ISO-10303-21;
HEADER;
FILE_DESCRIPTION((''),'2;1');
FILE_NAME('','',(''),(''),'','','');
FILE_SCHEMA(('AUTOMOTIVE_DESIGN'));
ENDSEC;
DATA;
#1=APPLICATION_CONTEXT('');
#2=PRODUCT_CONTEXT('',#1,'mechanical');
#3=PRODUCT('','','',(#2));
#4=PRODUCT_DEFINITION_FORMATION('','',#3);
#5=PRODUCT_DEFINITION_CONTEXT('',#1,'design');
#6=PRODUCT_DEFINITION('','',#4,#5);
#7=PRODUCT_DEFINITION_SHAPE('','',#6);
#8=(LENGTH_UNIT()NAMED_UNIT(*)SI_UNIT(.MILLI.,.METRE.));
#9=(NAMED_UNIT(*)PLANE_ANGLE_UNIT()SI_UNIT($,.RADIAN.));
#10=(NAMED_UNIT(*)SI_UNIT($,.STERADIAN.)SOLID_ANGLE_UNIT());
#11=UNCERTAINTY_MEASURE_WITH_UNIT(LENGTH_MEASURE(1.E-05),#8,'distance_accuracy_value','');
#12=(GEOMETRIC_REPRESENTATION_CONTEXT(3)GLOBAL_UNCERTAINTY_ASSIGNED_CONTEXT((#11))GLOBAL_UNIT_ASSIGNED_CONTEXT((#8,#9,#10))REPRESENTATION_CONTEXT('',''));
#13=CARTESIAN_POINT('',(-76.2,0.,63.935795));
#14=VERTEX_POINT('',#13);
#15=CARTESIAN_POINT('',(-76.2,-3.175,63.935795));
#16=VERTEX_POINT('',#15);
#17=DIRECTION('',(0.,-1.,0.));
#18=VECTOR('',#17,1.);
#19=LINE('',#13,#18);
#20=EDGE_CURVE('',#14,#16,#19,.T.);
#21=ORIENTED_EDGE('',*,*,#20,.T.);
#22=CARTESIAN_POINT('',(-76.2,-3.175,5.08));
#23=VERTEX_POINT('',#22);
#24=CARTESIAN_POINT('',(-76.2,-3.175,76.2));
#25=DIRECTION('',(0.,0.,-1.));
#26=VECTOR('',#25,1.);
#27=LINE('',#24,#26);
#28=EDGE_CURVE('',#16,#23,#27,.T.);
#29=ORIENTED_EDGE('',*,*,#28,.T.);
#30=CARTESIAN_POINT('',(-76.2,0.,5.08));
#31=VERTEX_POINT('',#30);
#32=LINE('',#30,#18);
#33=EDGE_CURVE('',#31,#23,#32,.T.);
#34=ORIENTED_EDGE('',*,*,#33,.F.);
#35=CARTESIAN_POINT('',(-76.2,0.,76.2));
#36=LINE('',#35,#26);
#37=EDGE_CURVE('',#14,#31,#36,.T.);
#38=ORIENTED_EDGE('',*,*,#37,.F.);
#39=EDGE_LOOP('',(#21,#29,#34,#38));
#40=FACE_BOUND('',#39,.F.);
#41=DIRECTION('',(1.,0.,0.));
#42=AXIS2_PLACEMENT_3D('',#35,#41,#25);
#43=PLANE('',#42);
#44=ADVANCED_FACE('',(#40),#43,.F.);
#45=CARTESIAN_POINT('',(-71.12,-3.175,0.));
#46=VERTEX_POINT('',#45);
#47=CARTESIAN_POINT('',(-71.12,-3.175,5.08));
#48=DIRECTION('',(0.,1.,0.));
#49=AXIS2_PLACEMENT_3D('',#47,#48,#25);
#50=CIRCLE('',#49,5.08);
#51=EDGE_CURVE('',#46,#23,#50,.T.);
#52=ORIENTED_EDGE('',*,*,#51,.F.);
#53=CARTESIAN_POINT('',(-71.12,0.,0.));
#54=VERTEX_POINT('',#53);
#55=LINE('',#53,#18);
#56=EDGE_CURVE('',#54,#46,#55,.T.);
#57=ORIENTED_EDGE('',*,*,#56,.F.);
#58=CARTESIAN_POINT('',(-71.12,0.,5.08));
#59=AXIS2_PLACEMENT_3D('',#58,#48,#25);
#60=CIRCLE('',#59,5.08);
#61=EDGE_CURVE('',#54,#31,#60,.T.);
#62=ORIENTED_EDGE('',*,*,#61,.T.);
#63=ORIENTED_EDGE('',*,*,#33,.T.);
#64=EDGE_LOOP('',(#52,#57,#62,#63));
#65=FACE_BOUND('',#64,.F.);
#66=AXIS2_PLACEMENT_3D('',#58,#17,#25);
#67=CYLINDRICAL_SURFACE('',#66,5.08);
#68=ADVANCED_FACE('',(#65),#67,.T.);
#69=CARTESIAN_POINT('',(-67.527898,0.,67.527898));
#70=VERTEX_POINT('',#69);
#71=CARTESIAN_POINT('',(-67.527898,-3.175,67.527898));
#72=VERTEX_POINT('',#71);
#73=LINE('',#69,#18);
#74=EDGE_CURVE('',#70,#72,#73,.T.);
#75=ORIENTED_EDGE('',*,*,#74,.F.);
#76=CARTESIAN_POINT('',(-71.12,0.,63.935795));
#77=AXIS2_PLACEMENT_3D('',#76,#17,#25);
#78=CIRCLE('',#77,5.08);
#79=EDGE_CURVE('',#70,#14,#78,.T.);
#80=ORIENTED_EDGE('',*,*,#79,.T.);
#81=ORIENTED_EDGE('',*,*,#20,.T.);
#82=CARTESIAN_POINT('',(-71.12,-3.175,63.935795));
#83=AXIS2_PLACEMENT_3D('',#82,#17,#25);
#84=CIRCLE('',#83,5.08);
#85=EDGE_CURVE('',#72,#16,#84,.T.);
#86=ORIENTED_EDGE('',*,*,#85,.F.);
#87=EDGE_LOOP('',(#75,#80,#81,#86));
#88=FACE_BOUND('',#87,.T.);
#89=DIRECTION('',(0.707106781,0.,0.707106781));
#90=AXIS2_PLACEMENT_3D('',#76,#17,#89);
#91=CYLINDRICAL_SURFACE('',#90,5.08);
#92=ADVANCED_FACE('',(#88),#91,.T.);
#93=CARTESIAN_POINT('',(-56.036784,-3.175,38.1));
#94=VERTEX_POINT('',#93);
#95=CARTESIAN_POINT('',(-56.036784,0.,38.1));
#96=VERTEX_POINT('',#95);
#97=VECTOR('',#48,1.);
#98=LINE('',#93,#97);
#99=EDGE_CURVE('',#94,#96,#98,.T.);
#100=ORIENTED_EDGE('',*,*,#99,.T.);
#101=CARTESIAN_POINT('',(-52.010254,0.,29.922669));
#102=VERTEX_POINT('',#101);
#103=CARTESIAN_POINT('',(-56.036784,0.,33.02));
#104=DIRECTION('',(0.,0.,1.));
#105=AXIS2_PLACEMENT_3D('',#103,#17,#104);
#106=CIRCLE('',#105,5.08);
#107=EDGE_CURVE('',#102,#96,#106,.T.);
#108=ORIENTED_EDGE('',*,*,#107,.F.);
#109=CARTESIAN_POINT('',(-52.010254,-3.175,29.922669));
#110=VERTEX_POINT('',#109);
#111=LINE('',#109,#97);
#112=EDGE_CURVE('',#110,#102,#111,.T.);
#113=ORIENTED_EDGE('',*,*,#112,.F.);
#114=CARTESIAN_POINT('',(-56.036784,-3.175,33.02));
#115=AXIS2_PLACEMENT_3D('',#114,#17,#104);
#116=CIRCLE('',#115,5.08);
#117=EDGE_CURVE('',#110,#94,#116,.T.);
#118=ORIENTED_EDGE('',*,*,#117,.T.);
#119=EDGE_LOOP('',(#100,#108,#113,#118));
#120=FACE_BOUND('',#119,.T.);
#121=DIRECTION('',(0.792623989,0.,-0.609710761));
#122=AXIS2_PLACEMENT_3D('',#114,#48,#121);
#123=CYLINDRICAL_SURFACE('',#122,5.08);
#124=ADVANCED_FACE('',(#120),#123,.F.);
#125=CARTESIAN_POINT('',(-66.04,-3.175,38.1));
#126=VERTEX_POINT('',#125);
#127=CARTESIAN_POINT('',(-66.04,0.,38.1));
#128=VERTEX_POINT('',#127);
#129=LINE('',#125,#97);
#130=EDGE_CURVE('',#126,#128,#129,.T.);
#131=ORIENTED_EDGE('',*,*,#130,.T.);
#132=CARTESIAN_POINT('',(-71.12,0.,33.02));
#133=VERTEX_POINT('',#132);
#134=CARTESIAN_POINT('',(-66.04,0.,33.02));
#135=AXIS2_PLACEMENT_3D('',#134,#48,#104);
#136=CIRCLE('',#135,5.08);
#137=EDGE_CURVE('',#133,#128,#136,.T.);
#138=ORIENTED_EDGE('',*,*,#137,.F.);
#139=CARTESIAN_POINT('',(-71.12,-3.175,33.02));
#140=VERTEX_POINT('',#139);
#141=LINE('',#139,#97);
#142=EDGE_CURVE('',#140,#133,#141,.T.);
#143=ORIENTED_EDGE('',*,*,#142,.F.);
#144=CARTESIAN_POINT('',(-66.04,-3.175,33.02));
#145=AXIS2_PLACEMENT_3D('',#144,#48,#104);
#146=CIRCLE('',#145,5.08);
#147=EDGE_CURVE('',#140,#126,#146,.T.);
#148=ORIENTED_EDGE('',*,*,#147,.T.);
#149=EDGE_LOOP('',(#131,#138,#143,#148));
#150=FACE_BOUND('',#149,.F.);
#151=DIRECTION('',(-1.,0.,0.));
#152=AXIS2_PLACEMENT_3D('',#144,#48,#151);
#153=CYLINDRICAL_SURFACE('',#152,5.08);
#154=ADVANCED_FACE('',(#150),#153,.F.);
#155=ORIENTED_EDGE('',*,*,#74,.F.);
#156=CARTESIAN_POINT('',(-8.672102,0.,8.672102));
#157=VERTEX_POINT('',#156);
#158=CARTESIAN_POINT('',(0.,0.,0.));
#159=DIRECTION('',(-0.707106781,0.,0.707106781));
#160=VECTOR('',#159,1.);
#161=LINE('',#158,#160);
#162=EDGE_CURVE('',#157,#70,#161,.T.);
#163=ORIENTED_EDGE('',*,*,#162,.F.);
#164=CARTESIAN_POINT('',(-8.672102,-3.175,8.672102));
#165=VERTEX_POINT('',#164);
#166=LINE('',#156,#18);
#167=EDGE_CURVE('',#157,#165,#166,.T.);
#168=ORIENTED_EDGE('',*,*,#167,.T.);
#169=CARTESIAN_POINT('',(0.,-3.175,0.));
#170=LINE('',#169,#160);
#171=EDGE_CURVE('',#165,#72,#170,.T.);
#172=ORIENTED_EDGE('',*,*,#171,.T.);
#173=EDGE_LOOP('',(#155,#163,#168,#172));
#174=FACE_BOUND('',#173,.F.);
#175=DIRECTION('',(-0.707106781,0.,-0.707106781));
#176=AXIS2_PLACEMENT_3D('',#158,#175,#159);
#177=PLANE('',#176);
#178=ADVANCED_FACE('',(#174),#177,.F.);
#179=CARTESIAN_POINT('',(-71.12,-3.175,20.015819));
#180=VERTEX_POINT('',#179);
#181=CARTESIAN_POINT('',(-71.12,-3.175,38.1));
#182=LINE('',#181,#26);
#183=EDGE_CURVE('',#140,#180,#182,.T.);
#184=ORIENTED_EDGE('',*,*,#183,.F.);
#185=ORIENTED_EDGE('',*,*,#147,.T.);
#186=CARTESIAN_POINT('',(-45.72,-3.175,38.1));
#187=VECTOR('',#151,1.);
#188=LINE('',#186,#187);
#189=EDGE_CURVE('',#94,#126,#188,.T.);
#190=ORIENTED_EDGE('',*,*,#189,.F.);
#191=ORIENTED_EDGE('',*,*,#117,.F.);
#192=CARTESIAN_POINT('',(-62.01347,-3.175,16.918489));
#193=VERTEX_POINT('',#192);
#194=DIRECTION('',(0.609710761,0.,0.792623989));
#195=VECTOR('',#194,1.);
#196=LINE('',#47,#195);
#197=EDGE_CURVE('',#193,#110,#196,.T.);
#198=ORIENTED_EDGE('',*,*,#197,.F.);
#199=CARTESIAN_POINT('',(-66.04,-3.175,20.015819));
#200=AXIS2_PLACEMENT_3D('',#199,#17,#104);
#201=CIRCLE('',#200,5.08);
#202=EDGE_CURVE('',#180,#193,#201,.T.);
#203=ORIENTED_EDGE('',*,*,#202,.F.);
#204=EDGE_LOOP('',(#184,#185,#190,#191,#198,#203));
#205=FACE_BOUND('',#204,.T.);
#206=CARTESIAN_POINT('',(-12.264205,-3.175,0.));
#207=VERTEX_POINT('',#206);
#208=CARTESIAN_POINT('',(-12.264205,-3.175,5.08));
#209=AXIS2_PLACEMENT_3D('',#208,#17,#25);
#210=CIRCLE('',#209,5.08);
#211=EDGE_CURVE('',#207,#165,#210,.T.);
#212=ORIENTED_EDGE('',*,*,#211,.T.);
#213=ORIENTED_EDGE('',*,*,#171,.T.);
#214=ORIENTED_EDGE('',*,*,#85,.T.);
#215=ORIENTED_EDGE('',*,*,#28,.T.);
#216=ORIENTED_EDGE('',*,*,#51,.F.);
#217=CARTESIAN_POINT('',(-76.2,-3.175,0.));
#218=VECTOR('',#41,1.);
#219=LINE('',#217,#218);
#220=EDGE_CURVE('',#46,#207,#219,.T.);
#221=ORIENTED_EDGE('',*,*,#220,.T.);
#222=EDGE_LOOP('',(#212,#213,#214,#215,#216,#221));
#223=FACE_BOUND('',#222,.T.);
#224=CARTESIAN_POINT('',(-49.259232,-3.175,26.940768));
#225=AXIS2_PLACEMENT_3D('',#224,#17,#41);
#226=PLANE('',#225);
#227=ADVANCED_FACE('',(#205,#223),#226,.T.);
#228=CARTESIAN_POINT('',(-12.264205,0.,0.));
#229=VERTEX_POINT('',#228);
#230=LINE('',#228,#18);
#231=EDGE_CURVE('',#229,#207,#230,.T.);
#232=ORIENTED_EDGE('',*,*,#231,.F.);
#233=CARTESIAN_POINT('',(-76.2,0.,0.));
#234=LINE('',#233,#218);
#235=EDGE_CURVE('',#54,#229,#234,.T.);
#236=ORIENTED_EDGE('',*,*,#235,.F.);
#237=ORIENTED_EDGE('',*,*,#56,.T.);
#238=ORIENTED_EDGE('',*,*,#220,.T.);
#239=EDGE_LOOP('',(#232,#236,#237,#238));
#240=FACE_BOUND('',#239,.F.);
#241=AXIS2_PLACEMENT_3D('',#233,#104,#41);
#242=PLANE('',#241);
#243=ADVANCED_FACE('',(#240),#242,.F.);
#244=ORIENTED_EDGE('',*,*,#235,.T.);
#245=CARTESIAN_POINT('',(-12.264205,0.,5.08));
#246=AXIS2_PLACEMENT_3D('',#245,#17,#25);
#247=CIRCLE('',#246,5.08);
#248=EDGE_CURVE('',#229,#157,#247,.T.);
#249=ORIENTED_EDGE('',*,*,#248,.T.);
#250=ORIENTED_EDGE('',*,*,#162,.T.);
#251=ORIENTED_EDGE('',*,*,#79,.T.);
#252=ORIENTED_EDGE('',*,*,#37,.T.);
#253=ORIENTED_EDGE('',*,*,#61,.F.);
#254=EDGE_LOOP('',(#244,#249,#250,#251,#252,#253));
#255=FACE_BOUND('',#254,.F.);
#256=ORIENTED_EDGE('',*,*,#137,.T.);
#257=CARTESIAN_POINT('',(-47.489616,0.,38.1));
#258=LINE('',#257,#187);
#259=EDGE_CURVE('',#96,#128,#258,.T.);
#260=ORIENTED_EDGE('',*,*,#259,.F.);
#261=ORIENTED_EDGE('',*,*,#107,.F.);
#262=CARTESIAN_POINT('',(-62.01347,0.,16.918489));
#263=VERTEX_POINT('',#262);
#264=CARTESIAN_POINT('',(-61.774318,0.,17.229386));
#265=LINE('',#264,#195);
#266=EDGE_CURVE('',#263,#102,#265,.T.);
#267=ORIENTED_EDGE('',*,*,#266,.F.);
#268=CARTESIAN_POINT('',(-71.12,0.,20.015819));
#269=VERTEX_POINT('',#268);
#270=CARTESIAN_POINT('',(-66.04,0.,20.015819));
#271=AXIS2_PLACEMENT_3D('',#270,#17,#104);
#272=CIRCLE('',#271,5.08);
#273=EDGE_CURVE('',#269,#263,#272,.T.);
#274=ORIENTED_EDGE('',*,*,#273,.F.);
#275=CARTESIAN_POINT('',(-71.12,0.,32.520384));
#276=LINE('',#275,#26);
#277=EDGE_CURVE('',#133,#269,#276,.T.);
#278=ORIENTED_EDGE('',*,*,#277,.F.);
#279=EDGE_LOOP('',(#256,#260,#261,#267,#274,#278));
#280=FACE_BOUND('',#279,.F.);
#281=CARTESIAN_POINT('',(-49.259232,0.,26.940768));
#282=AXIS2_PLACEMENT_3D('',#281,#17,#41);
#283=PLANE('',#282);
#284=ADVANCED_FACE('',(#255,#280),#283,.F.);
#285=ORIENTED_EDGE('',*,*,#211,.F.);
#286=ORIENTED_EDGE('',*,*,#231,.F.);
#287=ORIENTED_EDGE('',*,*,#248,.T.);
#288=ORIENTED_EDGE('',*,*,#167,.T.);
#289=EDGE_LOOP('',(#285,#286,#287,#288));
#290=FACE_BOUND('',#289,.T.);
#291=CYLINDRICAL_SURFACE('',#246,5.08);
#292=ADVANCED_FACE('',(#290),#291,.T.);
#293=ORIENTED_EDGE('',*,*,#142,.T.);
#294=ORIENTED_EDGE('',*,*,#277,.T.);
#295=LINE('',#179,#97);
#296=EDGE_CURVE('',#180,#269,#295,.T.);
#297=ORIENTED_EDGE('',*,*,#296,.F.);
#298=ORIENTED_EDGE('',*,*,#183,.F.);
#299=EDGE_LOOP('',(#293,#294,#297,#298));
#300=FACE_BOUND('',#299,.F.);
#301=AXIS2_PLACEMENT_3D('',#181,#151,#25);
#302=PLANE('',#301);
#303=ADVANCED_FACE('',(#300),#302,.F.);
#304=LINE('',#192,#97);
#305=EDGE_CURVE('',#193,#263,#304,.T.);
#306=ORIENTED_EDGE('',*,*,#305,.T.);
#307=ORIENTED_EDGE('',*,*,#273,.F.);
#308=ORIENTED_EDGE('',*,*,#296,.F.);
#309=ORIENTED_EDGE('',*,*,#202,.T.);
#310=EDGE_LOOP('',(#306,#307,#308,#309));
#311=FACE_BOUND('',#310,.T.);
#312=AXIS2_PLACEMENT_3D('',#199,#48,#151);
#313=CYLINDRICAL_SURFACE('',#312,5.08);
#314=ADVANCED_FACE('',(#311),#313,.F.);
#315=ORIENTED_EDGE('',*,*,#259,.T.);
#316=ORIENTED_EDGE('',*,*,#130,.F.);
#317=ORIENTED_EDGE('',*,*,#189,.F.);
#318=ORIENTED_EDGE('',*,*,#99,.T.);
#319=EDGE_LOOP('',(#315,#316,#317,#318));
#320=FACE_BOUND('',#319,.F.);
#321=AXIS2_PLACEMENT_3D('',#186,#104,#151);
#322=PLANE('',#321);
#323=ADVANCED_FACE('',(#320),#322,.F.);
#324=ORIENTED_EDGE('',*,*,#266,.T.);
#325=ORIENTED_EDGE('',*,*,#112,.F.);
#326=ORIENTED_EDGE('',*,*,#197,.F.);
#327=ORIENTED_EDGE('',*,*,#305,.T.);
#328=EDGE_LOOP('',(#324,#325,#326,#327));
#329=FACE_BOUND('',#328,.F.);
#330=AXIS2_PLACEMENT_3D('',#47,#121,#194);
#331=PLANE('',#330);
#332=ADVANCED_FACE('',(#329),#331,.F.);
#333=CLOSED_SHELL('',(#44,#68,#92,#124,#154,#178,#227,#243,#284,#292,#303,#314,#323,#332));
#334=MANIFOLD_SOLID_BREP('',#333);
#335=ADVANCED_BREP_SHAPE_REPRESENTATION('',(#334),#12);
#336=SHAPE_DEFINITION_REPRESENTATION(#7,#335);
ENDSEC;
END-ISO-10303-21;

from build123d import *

# Parameters (mm, degrees)
F1_DEPTH = 3.175
F2_R     = 5.08
F4_DEPTH = 25.4
F5_R     = 5.08


with BuildPart() as f1:
    # F0 (on Front) → F1 (new body)
    with BuildSketch(Plane.XZ):
        Polygon((-76.2, 0), (0, 0), (-76.2, 76.2), align=None)
    extrude(amount=F1_DEPTH)

    # F2
    f2_edges = [f1.edges().sort_by_distance(p)[0] for p in [
        (-76.2, -1.5875, 76.2),
        (-76.2, -1.5875, 0),
        (0, -1.5875, 0),
    ]]
    fillet(f2_edges, radius=F2_R)

    # F3 (on face) → F4 (cut)
    with BuildSketch(Plane.XZ.offset(3.175)):
        Polygon((-71.12, 38.1), (-71.12, 5.08), (-45.72, 38.1), align=None)
    extrude(amount=-F4_DEPTH, mode=Mode.SUBTRACT)

    # F5
    f5_edges = [f1.edges().sort_by_distance(p)[0] for p in [
        (-71.12, -1.5875, 5.08),
        (-45.72, -1.5875, 38.1),
        (-71.12, -1.5875, 38.1),
    ]]
    fillet(f5_edges, radius=F5_R)


solid = f1.part
